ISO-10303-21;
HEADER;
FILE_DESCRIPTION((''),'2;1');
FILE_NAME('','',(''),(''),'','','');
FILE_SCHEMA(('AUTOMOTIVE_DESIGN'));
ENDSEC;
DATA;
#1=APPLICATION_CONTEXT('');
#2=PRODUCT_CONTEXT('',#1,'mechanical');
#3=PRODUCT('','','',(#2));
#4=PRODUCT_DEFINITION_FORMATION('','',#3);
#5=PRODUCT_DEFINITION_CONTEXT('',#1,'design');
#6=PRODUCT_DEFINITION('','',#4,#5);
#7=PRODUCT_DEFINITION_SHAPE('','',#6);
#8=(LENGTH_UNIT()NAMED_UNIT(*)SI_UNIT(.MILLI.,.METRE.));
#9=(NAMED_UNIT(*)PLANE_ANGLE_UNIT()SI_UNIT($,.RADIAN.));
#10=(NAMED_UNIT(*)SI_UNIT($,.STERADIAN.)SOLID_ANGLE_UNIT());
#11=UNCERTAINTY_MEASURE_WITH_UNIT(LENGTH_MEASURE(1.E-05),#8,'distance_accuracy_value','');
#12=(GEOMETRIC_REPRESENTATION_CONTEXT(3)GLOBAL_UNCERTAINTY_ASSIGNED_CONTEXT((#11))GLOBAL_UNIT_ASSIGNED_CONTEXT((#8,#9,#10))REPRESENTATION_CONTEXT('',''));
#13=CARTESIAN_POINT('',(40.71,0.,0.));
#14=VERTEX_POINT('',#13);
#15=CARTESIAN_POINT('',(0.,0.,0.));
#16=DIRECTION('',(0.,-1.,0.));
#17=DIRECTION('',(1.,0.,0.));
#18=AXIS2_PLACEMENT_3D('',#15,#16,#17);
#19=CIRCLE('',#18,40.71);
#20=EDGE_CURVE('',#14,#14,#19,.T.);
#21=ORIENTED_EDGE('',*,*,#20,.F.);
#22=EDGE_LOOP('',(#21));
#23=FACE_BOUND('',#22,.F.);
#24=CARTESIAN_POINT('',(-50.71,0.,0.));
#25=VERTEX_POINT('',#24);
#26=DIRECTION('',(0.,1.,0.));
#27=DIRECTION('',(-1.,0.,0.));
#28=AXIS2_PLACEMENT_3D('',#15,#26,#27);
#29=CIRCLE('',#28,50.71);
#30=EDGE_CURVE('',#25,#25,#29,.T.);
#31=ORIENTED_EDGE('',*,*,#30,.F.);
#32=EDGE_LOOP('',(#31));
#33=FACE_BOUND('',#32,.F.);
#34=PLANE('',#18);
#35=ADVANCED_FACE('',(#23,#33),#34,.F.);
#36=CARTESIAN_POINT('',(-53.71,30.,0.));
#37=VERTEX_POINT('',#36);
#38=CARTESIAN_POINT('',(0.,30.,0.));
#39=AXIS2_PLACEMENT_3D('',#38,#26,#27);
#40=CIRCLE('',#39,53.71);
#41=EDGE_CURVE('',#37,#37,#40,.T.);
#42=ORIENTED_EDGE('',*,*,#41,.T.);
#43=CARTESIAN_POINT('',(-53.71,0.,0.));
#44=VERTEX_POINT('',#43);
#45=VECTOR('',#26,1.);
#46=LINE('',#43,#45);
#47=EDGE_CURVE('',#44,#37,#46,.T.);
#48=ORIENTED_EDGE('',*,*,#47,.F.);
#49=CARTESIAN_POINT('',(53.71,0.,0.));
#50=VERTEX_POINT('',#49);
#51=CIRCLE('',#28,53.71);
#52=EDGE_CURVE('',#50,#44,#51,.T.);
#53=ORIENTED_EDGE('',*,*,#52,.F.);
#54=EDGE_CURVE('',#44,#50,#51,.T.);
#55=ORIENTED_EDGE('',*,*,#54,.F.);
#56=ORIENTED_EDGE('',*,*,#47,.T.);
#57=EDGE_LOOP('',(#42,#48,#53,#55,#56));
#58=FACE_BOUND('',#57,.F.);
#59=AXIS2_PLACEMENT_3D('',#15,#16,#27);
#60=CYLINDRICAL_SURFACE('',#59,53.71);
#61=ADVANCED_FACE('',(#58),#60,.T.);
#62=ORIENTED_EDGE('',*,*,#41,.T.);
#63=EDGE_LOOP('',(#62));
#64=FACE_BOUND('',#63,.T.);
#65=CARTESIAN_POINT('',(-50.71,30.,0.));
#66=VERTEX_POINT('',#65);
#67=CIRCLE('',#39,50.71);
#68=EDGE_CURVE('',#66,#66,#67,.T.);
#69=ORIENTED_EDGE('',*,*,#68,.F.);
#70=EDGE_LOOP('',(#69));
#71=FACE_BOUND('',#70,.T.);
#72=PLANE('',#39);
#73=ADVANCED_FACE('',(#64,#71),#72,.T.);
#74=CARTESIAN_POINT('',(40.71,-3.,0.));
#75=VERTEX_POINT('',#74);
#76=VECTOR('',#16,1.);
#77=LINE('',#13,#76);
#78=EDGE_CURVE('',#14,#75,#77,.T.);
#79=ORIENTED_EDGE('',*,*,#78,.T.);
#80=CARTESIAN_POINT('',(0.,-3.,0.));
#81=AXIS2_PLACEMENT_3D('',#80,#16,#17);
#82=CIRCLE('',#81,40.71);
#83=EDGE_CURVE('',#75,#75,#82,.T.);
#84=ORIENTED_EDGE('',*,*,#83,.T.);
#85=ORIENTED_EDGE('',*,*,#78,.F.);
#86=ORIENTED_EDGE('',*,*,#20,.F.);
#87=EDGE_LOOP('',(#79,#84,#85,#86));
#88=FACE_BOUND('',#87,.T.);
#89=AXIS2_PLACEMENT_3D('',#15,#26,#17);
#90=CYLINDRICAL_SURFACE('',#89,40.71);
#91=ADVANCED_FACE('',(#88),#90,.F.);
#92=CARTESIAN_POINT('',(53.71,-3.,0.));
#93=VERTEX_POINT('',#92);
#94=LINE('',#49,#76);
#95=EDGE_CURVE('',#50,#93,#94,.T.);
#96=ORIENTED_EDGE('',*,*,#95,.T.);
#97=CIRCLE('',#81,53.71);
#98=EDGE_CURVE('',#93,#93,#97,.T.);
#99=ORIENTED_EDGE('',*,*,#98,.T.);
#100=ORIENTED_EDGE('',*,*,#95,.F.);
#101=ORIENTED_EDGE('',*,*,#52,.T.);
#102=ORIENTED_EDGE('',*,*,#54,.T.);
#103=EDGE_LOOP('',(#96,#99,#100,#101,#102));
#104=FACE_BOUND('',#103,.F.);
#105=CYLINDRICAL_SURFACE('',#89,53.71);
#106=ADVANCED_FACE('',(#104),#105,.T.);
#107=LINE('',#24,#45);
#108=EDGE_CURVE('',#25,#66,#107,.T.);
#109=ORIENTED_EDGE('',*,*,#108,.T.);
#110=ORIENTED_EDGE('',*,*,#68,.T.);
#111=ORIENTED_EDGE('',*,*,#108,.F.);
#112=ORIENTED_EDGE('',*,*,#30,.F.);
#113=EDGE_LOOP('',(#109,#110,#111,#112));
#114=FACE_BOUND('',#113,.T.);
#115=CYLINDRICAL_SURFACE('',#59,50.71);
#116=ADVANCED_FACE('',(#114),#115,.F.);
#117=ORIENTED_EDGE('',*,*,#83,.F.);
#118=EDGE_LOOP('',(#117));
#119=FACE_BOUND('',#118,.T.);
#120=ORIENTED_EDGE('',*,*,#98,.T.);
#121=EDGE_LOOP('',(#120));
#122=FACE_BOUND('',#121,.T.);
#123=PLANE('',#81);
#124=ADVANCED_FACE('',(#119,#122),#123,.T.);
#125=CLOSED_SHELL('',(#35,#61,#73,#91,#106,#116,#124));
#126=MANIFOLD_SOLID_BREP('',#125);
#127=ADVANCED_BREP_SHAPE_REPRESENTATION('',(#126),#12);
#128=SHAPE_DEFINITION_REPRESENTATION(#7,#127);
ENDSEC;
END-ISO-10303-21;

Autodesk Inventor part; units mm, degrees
ref_plane "YZ Plane" through (0, 0, 0) normal (1, 0, 0) x (0, 1, 0)
ref_plane "XZ Plane" through (0, 0, 0) normal (0, 1, 0) x (-1, 0, 0)
ref_plane "XY Plane" through (0, 0, 0) normal (0, 0, 1) x (1, 0, 0)
sketch "Sketch1" plane through (0, 0, 0) normal (0, 1, 0) x (-1, 0, 0)
  circle A0 centre (0, 0) radius 53.71
  circle A1 centre (0, 0) radius 50.71
  dimension "d0" = 107.42
  dimension "d1" = 3
extrude "Extrusion1" add sketch "Sketch1" along normal blind 30
sketch "Sketch2" plane through (0, 0, 0) normal (0, -1, 0) x (1, 0, 0)
  circle A0 centre (0, 0) radius 53.71 projected
  circle A1 centre (0, 0) radius 50.71 projected
  circle A2 centre (0, 0) radius 40.71
  dimension "d5" = 10
extrude "Extrusion2" add sketch "Sketch2" along normal blind 3 contours A0 | A1
properties part number "12mm-CoilForm-Stiffner"
